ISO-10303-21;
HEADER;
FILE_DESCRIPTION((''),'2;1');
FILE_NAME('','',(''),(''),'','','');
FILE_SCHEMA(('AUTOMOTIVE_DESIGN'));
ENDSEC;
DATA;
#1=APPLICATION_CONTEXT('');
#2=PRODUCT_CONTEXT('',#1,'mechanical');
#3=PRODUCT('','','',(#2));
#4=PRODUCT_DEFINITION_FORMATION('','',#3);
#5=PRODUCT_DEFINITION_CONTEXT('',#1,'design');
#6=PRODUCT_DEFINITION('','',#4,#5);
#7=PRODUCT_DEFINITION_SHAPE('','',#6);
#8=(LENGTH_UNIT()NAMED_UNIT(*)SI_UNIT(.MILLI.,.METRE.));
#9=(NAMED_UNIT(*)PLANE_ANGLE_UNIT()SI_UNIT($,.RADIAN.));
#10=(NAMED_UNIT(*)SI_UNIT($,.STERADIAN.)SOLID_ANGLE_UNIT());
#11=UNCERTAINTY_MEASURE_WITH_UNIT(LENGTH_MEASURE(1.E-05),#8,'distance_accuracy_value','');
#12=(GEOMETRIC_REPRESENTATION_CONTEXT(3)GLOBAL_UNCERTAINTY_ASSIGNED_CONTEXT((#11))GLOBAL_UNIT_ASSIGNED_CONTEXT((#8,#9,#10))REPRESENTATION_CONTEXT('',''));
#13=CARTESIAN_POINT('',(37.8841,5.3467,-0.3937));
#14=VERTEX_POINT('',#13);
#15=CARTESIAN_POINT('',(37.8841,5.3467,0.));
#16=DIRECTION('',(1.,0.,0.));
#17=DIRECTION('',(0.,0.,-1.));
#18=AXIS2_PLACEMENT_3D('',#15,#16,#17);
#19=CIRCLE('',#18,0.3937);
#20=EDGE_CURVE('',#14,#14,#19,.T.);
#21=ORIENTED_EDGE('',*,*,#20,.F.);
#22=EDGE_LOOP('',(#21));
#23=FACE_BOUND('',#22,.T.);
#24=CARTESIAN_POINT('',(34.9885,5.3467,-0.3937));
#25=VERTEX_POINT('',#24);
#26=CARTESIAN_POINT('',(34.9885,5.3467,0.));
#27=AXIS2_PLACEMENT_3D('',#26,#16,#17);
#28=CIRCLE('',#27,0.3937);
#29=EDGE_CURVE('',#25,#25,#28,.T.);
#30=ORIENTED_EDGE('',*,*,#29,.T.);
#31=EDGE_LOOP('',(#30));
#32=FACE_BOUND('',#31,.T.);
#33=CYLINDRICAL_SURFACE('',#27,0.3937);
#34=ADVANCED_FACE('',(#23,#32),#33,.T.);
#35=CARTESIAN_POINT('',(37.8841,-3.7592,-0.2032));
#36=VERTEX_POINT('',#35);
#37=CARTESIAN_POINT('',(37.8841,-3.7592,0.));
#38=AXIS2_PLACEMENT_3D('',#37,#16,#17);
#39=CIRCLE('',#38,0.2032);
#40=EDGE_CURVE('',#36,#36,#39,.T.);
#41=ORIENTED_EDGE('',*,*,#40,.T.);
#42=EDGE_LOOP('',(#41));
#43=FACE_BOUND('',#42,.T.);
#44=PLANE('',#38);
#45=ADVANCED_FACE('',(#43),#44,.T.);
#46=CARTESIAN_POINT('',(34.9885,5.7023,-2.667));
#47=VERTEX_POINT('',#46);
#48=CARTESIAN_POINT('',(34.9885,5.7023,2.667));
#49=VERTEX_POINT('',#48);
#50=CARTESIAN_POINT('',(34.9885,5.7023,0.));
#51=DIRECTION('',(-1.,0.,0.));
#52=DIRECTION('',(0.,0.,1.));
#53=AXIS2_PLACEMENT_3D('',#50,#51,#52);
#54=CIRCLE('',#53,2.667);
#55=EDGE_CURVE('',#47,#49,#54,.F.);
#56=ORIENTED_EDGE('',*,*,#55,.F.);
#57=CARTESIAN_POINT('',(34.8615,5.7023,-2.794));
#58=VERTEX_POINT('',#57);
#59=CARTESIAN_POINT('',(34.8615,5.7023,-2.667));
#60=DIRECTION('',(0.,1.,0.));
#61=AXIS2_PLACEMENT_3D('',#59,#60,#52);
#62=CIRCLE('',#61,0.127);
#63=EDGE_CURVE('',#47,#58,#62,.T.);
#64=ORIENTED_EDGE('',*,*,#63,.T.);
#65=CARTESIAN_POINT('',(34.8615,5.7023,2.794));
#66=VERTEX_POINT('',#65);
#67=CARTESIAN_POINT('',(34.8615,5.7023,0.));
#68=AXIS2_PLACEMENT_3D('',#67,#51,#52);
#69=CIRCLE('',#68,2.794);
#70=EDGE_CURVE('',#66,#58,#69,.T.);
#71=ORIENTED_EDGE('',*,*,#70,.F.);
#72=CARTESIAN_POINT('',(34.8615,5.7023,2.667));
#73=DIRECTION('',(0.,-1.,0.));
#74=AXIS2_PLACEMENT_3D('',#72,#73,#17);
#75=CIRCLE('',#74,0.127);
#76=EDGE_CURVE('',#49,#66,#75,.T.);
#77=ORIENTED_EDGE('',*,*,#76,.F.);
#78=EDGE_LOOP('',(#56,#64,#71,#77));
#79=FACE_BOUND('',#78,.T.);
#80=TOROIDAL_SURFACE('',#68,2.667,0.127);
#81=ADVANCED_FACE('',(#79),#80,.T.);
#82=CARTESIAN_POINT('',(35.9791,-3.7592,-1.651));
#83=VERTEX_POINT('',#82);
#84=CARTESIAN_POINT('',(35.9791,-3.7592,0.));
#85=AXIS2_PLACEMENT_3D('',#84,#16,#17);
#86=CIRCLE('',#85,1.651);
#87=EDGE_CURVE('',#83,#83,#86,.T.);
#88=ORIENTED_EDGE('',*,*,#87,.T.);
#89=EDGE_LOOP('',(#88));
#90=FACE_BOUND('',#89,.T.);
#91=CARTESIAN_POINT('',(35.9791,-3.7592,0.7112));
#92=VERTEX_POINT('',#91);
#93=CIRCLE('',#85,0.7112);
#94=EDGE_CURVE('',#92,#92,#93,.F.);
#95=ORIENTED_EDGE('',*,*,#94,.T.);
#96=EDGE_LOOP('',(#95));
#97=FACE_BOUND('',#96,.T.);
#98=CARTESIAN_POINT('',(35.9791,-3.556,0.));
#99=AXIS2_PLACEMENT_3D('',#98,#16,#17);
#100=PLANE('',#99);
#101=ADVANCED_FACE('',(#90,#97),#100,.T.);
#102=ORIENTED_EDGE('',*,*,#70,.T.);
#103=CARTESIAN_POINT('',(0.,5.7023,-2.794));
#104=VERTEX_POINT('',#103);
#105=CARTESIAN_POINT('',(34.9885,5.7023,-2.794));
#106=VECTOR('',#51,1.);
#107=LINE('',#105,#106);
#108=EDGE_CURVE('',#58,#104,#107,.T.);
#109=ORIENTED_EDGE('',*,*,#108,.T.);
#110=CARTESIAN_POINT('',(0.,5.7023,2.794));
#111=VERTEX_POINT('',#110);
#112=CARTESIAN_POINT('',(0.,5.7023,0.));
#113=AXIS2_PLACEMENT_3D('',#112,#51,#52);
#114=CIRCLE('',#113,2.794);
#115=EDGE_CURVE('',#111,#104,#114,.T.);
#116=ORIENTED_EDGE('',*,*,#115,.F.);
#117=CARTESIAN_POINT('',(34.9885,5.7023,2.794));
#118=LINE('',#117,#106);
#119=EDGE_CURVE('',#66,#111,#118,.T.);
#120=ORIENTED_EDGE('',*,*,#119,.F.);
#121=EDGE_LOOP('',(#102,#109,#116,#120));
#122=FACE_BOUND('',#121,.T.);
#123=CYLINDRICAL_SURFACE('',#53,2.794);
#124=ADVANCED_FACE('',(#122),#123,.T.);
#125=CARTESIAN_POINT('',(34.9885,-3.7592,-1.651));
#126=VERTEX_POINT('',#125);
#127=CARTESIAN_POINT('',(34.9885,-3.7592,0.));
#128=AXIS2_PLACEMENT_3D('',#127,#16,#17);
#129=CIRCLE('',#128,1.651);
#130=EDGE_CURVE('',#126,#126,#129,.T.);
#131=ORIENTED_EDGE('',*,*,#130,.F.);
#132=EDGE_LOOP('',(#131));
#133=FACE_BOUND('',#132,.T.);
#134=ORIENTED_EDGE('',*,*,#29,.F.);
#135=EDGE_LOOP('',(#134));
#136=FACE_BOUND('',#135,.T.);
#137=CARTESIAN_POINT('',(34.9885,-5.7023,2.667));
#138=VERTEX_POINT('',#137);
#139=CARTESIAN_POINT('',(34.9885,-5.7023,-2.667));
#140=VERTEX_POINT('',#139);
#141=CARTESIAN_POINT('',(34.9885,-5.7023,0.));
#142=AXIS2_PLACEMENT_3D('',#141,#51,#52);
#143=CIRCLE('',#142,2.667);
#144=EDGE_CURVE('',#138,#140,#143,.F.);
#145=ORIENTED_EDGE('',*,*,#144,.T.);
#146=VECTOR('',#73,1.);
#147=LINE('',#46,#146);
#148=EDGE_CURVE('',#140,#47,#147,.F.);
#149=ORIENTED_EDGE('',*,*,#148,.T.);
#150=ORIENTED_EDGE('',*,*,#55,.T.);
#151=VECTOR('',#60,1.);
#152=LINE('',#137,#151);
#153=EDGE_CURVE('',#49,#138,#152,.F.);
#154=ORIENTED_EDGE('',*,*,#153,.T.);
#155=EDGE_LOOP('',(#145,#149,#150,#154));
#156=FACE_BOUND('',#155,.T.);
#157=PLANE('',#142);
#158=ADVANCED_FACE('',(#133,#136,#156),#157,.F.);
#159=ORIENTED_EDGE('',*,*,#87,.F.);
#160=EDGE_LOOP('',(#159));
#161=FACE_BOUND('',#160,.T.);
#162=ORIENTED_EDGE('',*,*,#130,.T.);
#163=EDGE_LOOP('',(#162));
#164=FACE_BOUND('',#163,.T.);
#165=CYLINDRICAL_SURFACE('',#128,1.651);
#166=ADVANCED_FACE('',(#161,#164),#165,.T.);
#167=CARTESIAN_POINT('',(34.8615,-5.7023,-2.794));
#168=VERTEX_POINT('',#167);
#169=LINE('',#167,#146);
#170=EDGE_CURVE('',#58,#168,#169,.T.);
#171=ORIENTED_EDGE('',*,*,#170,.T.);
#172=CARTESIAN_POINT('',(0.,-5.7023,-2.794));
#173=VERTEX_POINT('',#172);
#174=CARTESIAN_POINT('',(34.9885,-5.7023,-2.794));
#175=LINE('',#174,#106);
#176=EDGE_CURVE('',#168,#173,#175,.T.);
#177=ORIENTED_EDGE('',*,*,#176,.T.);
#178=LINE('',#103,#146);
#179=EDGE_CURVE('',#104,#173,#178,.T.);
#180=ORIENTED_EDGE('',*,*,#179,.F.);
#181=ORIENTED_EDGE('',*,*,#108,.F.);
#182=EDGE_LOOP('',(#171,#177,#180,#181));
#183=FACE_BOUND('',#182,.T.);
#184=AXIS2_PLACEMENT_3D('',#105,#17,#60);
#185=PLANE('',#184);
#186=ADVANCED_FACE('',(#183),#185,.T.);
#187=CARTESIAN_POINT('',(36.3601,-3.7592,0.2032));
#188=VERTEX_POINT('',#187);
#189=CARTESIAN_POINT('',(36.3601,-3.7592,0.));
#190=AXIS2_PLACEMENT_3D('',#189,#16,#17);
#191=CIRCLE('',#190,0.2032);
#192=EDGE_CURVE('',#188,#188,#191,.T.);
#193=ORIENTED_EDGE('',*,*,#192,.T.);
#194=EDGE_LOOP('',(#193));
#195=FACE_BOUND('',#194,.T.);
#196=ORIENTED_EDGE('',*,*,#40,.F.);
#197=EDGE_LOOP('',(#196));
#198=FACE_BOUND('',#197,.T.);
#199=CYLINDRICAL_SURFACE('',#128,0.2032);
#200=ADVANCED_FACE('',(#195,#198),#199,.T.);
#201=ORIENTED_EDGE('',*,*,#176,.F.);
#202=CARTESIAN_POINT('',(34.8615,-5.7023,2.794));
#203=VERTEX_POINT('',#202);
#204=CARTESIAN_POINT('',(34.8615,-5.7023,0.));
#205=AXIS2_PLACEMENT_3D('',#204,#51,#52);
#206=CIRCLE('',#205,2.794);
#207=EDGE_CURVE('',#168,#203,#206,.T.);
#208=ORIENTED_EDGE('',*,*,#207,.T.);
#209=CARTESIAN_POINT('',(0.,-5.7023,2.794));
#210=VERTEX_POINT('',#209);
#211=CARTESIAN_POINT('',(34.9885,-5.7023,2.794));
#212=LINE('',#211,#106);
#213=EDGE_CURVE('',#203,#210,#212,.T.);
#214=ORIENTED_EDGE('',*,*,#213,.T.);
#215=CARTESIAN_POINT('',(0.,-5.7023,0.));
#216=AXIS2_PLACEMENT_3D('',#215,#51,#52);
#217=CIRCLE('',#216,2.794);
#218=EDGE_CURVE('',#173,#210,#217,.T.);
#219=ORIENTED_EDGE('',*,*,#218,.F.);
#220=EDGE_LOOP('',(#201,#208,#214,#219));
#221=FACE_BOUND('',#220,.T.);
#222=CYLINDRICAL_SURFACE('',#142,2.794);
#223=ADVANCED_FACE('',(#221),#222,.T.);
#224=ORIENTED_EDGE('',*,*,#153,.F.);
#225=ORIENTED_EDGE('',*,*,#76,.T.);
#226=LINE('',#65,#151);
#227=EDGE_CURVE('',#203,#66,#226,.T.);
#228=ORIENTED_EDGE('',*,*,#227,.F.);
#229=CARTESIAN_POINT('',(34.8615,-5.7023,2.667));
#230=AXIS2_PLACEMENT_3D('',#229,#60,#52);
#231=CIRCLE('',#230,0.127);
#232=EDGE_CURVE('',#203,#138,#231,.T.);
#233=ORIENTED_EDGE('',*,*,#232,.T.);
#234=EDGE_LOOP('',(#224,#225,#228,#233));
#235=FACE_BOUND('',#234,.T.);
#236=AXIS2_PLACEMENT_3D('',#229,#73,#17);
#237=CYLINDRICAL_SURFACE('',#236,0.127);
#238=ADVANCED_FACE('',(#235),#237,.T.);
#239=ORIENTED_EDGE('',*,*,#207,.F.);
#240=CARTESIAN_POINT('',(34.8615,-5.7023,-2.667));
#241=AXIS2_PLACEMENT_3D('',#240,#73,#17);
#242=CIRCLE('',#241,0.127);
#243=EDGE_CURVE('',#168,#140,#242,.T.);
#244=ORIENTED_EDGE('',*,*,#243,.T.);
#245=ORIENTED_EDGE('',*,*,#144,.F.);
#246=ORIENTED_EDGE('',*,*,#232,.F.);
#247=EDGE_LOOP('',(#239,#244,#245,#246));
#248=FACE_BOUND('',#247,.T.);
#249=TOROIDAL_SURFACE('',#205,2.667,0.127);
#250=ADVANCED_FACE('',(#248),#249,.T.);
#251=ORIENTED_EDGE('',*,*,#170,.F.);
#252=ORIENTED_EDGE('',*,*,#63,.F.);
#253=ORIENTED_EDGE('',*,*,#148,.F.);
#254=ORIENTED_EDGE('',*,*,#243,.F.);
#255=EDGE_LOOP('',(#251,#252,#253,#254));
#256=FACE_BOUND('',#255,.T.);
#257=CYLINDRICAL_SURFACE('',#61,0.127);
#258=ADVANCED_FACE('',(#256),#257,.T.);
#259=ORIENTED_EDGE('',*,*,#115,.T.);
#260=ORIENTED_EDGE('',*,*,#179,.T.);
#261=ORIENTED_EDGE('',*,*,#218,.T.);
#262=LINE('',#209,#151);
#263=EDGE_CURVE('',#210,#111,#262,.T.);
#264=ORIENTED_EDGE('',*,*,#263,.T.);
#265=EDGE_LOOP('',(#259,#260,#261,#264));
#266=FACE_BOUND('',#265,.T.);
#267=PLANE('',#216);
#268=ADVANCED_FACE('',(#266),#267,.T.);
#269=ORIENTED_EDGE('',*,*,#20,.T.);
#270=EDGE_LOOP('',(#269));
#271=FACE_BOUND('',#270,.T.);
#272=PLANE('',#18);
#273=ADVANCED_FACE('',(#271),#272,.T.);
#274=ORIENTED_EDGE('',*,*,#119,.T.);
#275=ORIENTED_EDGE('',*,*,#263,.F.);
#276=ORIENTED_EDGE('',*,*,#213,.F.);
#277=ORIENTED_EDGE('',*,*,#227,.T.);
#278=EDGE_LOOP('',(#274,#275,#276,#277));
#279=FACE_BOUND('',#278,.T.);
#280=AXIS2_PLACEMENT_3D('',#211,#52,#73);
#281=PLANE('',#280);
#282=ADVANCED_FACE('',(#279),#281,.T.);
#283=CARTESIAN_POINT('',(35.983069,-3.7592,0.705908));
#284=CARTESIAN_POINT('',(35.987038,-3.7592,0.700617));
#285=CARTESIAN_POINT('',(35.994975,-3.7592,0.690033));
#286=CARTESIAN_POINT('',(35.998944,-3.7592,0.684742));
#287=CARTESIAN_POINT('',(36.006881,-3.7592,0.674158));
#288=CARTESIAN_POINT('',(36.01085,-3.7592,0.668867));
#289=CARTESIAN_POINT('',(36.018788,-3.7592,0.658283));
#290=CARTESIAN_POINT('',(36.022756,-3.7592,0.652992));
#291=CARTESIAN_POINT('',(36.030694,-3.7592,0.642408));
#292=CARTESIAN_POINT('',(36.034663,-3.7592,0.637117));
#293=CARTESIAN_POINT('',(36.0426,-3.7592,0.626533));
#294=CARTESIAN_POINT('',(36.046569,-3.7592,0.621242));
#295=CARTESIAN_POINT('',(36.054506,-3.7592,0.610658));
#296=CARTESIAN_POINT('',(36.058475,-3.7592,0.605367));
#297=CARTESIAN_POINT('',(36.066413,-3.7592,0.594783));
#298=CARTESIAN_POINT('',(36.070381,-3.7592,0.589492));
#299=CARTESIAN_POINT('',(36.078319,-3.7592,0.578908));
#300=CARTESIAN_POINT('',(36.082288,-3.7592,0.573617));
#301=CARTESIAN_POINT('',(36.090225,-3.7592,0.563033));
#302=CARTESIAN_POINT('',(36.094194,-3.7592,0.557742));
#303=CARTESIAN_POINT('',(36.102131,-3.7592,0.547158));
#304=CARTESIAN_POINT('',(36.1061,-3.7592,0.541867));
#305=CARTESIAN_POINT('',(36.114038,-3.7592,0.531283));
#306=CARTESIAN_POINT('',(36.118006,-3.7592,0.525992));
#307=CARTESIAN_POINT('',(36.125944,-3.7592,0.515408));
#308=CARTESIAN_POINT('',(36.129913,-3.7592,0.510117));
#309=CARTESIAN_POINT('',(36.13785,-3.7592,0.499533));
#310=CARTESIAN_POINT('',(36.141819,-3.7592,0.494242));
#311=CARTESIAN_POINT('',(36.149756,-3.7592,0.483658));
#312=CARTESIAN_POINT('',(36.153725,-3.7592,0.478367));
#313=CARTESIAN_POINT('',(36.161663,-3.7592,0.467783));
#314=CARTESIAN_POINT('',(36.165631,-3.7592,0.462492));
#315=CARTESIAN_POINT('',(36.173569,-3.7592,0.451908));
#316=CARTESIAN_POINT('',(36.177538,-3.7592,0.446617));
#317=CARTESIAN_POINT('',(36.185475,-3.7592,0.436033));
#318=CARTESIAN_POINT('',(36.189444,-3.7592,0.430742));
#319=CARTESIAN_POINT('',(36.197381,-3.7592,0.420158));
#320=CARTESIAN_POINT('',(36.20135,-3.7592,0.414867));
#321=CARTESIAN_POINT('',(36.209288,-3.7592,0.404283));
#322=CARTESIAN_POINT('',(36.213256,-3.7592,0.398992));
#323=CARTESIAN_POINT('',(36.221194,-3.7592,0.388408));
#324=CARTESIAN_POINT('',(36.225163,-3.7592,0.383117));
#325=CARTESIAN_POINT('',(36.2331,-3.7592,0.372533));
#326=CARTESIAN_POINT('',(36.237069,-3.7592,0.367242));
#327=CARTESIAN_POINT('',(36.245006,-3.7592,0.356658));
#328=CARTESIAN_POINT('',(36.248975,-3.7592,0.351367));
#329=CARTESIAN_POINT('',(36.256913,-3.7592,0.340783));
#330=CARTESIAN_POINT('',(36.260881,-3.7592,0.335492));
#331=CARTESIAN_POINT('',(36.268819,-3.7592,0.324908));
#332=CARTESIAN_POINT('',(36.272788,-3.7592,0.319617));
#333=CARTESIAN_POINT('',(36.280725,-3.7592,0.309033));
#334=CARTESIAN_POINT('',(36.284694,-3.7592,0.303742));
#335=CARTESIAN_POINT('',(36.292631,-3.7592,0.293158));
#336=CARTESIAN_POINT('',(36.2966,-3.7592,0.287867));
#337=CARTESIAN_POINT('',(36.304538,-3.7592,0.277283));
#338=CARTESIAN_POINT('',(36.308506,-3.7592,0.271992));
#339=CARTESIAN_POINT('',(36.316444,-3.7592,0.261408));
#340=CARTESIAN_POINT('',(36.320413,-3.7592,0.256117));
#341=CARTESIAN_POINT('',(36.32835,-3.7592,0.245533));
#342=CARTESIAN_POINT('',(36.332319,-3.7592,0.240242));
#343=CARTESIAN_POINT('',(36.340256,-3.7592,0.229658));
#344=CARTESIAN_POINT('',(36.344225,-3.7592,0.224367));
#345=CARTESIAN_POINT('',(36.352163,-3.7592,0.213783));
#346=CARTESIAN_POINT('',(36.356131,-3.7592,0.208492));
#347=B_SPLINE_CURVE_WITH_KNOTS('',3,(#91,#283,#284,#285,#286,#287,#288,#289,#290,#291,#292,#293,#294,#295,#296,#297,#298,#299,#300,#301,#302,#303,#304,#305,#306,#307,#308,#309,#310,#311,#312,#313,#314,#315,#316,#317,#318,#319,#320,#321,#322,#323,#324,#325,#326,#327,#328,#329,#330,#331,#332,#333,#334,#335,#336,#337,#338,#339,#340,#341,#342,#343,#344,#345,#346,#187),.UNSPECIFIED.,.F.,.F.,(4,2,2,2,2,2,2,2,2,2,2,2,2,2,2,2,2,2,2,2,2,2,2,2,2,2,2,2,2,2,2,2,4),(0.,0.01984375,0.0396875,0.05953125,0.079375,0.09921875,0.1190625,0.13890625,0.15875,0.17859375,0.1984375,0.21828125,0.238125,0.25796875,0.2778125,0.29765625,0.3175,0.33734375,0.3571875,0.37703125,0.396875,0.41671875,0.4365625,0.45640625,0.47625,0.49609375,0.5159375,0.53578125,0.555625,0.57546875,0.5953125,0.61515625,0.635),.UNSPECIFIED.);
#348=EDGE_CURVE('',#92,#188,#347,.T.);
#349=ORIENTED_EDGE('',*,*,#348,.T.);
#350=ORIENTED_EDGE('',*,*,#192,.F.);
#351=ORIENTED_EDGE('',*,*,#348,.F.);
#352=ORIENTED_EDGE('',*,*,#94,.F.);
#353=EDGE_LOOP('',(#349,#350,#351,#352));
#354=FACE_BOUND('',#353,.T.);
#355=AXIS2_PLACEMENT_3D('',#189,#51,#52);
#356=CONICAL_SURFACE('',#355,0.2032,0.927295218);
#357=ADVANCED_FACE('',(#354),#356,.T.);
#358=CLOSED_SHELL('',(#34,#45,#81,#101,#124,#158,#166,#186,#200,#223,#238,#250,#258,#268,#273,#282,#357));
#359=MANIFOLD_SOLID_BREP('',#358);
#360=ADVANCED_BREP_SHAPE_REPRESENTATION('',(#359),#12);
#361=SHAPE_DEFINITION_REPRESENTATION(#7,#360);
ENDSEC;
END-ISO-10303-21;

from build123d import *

# Parameters (mm, degrees)
BOSS_EXTRUDE1_DEPTH = 34.9885
SKETCH2_W           = 2.8956
SKETCH2_H           = 0.3937
FILLET1_R           = 0.127
CHAMFER1_SIZE       = 0.508
CHAMFER1_SIZE2      = 0.381


with BuildPart() as part:
    # Sketch1 → Boss-Extrude1 (new body)
    with BuildSketch(Plane(origin=(0, 0, 0), x_dir=(0, -1, 0), z_dir=(-1, 0, 0))):
        with BuildLine():
            Line((5.7023, 2.794), (-5.7023, 2.794))
            ThreePointArc((-5.7023, 2.794), (-8.4963, 0), (-5.7023, -2.794))
            Line((-5.7023, -2.794), (5.7023, -2.794))
            ThreePointArc((5.7023, -2.794), (8.4963, 0), (5.7023, 2.794))
        make_face()
    extrude(amount=-BOSS_EXTRUDE1_DEPTH)

    # Sketch2 → Revolve1 (revolve)
    with BuildSketch(Plane.XY, mode=Mode.PRIVATE) as revolve1_sk:
        with Locations((36.4363, 5.54355)):
            Rectangle(SKETCH2_W, SKETCH2_H)
    revolve(revolve1_sk.sketch.rotate(Axis((34.9885, 5.3467, 0), (1, 0, 0)), 270), axis=Axis((34.9885, 5.3467, 0), (1, 0, 0)))

    # Sketch3 → Revolve2 (revolve)
    with BuildSketch(Plane.XY, mode=Mode.PRIVATE) as revolve2_sk:
        Polygon((34.9885, -2.1082), (34.9885, -3.7592), (37.8841, -3.7592), (37.8841, -3.556), (35.9791, -3.556), (35.9791, -2.1082), align=None)
    revolve(revolve2_sk.sketch.rotate(Axis((34.9885, -3.7592, 0), (1, 0, 0)), 270), axis=Axis((34.9885, -3.7592, 0), (1, 0, 0)))

    # Fillet1
    fillet1_edges = [part.edges().sort_by_distance(p)[0] for p in [
        (34.9885, 8.4963, 0),
        (34.9885, 0, -2.794),
        (34.9885, -8.4963, 0),
        (34.9885, 0, 2.794),
    ]]
    fillet(fillet1_edges, radius=FILLET1_R)

    # Chamfer1
    chamfer1_edges = [part.edges().sort_by_distance(p)[0] for p in [
        (35.9791, -3.7592, 0.2032),
    ]]
    chamfer1_side = [part.faces().sort_by_distance(p)[0] for p in [
        (35.9791, -3.7592, 0.249897332),
    ]]
    chamfer(chamfer1_edges, length=CHAMFER1_SIZE, length2=CHAMFER1_SIZE2, reference=chamfer1_side[0])


solid = part.part
